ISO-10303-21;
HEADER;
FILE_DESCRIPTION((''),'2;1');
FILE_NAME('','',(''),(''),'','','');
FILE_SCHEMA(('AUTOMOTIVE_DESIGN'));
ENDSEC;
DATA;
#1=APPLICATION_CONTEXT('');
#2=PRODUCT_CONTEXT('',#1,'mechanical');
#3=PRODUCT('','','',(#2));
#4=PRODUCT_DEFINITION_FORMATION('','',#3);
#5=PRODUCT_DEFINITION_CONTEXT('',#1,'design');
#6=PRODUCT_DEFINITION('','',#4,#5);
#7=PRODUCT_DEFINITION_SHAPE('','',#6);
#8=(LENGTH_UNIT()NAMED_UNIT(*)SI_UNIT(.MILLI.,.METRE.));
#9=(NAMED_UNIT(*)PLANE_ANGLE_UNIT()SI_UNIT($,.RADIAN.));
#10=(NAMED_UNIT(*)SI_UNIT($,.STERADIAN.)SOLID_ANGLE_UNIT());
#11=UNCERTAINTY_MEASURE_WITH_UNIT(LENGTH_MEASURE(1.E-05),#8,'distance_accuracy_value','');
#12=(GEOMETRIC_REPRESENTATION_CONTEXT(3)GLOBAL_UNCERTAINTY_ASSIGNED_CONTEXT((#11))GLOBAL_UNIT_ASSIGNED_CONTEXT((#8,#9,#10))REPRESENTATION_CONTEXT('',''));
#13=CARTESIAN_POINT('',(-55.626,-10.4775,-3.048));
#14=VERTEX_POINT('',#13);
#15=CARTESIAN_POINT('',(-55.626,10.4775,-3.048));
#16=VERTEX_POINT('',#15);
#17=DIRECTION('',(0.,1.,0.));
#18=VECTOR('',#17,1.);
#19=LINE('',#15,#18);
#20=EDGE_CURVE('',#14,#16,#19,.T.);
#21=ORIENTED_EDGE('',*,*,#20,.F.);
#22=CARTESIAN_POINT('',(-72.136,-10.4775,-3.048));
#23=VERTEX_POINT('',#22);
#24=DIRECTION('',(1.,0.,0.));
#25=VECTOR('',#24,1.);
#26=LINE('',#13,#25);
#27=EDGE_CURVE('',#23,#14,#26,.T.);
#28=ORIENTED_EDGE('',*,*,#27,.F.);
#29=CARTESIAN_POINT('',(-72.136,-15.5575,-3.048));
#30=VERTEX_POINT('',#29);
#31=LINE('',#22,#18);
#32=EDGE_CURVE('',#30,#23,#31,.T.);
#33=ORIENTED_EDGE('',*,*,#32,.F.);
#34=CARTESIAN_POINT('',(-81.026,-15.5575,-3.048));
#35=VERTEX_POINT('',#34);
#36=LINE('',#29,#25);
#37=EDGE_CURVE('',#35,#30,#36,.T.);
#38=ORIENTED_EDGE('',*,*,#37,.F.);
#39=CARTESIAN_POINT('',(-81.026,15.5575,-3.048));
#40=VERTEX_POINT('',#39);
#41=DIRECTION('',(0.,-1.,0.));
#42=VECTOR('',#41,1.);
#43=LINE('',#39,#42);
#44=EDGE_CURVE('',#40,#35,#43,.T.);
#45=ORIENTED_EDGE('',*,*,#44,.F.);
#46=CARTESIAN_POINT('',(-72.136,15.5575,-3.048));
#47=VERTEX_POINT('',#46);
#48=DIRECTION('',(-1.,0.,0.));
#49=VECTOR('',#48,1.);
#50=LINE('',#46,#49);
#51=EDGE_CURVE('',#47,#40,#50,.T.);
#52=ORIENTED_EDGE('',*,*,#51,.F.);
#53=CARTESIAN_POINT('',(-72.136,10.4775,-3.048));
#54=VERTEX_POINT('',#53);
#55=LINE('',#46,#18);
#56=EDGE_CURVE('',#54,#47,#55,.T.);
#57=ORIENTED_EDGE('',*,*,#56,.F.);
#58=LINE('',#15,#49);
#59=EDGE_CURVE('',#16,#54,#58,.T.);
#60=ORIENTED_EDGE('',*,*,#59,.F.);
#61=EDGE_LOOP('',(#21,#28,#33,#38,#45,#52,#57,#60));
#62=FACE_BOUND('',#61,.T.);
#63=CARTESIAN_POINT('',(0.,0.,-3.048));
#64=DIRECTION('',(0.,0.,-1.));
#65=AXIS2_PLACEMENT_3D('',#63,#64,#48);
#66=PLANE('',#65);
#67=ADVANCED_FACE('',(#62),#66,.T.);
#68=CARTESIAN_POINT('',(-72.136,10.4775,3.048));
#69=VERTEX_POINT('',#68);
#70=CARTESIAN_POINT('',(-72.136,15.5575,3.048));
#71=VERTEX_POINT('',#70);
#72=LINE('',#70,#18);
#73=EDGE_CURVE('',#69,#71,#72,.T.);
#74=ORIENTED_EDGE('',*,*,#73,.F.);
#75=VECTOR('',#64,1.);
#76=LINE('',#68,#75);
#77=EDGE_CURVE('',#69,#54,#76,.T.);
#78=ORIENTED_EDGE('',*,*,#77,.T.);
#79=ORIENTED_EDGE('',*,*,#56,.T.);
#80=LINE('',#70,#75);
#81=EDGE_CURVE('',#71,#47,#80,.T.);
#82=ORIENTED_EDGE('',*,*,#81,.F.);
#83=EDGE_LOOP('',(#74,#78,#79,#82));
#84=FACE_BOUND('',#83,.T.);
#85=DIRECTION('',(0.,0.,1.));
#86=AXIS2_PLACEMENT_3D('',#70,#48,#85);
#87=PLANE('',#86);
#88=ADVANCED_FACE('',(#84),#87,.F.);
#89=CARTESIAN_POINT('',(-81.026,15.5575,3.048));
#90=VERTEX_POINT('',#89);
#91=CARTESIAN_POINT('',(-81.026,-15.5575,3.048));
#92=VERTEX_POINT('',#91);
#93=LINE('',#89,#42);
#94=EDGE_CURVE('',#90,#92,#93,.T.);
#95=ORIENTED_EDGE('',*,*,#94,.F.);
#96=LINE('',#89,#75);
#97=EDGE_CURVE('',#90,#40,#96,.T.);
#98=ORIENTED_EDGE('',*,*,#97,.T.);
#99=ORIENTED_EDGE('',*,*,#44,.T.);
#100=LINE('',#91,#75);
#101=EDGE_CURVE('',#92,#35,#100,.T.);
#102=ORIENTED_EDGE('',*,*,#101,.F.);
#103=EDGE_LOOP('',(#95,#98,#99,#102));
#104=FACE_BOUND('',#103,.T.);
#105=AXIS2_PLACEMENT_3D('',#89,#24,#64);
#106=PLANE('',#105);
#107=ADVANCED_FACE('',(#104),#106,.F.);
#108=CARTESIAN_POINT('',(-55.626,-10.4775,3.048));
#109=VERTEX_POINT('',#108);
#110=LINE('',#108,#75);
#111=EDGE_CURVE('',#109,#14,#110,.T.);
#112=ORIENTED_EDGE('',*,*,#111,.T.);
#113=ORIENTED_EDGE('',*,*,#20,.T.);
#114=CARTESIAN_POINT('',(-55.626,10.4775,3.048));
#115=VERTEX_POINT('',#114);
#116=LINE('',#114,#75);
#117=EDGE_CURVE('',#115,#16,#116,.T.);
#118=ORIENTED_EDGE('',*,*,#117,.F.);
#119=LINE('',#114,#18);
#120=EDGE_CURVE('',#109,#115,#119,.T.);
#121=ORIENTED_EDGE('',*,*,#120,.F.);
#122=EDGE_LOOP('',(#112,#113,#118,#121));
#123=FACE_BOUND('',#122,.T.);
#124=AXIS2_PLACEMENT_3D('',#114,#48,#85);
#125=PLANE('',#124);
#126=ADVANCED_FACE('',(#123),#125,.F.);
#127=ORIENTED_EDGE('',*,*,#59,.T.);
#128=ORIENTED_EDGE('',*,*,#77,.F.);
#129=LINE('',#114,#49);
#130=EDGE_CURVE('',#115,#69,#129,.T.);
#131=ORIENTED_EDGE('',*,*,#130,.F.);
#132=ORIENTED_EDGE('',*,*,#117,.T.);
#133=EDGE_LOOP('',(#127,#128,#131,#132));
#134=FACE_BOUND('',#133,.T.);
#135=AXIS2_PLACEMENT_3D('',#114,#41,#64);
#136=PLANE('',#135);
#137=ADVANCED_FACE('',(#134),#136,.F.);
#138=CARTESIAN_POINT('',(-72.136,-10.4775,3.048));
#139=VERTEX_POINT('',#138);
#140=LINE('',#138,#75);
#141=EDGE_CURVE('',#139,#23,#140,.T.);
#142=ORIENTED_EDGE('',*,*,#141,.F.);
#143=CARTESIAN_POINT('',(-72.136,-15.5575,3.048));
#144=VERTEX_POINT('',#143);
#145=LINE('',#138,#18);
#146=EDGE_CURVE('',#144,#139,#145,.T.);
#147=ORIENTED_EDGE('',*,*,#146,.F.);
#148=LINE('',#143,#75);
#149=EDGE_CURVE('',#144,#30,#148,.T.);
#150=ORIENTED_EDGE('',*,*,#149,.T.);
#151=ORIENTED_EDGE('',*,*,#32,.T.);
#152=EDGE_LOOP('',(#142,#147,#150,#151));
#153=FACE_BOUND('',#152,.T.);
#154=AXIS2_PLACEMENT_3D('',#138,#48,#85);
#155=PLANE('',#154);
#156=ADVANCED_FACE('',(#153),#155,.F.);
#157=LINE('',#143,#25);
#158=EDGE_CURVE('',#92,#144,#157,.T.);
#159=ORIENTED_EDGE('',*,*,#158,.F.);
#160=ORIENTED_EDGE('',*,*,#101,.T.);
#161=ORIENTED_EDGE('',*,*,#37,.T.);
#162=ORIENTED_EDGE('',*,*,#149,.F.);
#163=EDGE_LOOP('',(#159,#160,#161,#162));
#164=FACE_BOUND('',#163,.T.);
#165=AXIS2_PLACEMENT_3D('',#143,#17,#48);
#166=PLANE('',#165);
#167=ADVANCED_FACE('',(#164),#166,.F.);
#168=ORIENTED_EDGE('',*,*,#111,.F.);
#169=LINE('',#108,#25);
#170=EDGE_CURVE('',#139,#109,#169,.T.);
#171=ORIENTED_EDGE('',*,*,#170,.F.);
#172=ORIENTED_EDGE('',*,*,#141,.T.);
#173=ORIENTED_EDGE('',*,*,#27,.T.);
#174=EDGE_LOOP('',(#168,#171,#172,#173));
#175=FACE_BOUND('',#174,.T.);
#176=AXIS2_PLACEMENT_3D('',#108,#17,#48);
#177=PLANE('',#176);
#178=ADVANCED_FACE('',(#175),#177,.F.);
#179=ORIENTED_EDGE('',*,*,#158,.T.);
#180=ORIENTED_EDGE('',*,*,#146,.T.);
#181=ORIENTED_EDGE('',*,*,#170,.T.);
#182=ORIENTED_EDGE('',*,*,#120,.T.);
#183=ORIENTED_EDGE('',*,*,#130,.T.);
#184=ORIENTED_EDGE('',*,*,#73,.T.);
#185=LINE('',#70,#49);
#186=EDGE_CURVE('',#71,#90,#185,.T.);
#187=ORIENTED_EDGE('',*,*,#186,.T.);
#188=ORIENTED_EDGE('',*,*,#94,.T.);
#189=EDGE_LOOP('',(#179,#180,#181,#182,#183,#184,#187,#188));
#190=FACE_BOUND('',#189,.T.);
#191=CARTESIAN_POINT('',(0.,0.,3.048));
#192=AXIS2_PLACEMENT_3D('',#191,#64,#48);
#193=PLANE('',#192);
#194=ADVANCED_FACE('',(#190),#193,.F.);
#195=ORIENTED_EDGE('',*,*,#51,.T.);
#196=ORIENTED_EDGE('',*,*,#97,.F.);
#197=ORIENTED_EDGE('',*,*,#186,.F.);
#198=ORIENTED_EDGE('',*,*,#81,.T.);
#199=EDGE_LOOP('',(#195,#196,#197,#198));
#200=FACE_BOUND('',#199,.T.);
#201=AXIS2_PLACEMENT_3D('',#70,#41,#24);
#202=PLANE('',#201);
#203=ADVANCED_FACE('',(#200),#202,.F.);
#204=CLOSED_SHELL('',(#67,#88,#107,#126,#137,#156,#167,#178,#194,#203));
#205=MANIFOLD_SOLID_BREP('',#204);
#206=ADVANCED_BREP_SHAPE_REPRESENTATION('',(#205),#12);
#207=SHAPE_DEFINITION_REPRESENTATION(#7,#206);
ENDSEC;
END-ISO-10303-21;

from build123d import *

# Parameters (mm, degrees)
BOSS_EXTRUDE1_DEPTH = 3.048


with BuildPart() as part:
    # Sketch1 → Boss-Extrude1 (new, symmetric)
    with BuildSketch(Plane.XY):
        Polygon((-55.626, 10.4775), (-72.136, 10.4775), (-72.136, 15.5575), (-81.026, 15.5575), (-81.026, -15.5575), (-72.136, -15.5575), (-72.136, -10.4775), (-55.626, -10.4775), align=None)
    extrude(amount=BOSS_EXTRUDE1_DEPTH, both=True)


solid = part.part
